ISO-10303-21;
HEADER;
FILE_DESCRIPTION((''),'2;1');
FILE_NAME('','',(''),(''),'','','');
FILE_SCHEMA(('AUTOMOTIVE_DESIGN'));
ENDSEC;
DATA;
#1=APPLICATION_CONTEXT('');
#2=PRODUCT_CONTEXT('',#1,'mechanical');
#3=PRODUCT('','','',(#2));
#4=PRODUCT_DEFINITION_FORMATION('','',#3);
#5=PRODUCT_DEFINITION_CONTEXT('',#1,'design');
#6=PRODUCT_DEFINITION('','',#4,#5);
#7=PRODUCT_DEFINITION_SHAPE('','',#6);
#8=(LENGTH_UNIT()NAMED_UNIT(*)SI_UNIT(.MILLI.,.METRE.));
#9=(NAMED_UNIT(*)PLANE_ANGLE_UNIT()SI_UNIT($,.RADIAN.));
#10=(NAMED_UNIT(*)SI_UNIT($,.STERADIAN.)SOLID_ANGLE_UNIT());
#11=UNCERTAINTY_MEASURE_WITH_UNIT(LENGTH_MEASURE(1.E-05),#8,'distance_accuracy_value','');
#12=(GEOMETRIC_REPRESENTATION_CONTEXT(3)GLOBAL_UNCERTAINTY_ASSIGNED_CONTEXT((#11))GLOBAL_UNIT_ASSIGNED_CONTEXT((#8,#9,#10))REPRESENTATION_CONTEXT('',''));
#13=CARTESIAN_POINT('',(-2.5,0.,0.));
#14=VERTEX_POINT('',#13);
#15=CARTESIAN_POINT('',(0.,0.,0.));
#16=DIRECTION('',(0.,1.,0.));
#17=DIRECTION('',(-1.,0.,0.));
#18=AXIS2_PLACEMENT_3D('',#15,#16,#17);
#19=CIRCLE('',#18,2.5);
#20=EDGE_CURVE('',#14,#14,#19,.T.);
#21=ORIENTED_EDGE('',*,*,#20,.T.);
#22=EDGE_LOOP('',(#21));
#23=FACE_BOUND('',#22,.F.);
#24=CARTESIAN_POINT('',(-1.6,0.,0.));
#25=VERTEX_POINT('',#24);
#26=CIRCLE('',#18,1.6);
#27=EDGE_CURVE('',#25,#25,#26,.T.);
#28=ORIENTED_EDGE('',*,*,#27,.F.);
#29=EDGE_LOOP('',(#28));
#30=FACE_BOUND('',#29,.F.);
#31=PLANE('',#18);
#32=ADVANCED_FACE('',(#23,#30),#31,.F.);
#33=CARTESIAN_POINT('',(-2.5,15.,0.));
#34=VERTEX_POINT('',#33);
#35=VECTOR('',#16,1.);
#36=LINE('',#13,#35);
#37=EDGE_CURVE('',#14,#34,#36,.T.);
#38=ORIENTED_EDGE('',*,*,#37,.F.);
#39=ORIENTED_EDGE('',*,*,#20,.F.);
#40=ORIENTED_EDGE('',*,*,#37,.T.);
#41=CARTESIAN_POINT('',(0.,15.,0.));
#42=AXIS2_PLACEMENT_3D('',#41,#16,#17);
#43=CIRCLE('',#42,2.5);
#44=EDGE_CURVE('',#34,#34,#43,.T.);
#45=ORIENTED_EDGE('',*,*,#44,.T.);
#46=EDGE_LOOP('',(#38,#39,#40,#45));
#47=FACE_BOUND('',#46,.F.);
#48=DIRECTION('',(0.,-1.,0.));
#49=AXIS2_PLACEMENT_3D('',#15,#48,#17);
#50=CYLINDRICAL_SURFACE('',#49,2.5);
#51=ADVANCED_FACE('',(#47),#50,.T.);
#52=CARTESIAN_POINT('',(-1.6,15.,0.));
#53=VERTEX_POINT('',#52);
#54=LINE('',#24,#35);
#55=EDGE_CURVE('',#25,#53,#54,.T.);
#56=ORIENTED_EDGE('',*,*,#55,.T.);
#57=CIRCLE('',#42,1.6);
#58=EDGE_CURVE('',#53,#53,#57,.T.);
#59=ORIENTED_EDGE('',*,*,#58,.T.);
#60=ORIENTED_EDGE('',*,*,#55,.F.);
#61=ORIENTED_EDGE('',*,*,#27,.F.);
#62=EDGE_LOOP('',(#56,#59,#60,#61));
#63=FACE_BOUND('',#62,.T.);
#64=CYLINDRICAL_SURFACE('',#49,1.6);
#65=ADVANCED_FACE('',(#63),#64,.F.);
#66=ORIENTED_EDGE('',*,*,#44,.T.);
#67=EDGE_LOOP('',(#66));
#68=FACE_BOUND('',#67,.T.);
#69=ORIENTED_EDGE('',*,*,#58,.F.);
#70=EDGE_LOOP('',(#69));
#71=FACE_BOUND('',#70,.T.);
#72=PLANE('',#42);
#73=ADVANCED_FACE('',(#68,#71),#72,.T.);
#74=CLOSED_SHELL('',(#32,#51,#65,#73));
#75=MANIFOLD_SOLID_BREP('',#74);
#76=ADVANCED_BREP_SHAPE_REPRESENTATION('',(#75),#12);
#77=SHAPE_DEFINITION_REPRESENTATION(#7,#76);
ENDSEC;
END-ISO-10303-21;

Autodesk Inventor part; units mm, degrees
ref_plane "YZ Plane" through (0, 0, 0) normal (1, 0, 0) x (0, 1, 0)
ref_plane "XZ Plane" through (0, 0, 0) normal (0, 1, 0) x (-1, 0, 0)
ref_plane "XY Plane" through (0, 0, 0) normal (0, 0, 1) x (1, 0, 0)
sketch "Sketch1" plane through (0, 0, 0) normal (0, 1, 0) x (-1, 0, 0)
  circle A0 centre (0, 0) radius 1.6
  circle A1 centre (0, 0) radius 2.5
  dimension "d0" = 3.2
  dimension "d1" = 5
extrude "Extrusion1" add sketch "Sketch1" along normal blind 15
properties part number "IRSPacer-Pixy-(FT)"
